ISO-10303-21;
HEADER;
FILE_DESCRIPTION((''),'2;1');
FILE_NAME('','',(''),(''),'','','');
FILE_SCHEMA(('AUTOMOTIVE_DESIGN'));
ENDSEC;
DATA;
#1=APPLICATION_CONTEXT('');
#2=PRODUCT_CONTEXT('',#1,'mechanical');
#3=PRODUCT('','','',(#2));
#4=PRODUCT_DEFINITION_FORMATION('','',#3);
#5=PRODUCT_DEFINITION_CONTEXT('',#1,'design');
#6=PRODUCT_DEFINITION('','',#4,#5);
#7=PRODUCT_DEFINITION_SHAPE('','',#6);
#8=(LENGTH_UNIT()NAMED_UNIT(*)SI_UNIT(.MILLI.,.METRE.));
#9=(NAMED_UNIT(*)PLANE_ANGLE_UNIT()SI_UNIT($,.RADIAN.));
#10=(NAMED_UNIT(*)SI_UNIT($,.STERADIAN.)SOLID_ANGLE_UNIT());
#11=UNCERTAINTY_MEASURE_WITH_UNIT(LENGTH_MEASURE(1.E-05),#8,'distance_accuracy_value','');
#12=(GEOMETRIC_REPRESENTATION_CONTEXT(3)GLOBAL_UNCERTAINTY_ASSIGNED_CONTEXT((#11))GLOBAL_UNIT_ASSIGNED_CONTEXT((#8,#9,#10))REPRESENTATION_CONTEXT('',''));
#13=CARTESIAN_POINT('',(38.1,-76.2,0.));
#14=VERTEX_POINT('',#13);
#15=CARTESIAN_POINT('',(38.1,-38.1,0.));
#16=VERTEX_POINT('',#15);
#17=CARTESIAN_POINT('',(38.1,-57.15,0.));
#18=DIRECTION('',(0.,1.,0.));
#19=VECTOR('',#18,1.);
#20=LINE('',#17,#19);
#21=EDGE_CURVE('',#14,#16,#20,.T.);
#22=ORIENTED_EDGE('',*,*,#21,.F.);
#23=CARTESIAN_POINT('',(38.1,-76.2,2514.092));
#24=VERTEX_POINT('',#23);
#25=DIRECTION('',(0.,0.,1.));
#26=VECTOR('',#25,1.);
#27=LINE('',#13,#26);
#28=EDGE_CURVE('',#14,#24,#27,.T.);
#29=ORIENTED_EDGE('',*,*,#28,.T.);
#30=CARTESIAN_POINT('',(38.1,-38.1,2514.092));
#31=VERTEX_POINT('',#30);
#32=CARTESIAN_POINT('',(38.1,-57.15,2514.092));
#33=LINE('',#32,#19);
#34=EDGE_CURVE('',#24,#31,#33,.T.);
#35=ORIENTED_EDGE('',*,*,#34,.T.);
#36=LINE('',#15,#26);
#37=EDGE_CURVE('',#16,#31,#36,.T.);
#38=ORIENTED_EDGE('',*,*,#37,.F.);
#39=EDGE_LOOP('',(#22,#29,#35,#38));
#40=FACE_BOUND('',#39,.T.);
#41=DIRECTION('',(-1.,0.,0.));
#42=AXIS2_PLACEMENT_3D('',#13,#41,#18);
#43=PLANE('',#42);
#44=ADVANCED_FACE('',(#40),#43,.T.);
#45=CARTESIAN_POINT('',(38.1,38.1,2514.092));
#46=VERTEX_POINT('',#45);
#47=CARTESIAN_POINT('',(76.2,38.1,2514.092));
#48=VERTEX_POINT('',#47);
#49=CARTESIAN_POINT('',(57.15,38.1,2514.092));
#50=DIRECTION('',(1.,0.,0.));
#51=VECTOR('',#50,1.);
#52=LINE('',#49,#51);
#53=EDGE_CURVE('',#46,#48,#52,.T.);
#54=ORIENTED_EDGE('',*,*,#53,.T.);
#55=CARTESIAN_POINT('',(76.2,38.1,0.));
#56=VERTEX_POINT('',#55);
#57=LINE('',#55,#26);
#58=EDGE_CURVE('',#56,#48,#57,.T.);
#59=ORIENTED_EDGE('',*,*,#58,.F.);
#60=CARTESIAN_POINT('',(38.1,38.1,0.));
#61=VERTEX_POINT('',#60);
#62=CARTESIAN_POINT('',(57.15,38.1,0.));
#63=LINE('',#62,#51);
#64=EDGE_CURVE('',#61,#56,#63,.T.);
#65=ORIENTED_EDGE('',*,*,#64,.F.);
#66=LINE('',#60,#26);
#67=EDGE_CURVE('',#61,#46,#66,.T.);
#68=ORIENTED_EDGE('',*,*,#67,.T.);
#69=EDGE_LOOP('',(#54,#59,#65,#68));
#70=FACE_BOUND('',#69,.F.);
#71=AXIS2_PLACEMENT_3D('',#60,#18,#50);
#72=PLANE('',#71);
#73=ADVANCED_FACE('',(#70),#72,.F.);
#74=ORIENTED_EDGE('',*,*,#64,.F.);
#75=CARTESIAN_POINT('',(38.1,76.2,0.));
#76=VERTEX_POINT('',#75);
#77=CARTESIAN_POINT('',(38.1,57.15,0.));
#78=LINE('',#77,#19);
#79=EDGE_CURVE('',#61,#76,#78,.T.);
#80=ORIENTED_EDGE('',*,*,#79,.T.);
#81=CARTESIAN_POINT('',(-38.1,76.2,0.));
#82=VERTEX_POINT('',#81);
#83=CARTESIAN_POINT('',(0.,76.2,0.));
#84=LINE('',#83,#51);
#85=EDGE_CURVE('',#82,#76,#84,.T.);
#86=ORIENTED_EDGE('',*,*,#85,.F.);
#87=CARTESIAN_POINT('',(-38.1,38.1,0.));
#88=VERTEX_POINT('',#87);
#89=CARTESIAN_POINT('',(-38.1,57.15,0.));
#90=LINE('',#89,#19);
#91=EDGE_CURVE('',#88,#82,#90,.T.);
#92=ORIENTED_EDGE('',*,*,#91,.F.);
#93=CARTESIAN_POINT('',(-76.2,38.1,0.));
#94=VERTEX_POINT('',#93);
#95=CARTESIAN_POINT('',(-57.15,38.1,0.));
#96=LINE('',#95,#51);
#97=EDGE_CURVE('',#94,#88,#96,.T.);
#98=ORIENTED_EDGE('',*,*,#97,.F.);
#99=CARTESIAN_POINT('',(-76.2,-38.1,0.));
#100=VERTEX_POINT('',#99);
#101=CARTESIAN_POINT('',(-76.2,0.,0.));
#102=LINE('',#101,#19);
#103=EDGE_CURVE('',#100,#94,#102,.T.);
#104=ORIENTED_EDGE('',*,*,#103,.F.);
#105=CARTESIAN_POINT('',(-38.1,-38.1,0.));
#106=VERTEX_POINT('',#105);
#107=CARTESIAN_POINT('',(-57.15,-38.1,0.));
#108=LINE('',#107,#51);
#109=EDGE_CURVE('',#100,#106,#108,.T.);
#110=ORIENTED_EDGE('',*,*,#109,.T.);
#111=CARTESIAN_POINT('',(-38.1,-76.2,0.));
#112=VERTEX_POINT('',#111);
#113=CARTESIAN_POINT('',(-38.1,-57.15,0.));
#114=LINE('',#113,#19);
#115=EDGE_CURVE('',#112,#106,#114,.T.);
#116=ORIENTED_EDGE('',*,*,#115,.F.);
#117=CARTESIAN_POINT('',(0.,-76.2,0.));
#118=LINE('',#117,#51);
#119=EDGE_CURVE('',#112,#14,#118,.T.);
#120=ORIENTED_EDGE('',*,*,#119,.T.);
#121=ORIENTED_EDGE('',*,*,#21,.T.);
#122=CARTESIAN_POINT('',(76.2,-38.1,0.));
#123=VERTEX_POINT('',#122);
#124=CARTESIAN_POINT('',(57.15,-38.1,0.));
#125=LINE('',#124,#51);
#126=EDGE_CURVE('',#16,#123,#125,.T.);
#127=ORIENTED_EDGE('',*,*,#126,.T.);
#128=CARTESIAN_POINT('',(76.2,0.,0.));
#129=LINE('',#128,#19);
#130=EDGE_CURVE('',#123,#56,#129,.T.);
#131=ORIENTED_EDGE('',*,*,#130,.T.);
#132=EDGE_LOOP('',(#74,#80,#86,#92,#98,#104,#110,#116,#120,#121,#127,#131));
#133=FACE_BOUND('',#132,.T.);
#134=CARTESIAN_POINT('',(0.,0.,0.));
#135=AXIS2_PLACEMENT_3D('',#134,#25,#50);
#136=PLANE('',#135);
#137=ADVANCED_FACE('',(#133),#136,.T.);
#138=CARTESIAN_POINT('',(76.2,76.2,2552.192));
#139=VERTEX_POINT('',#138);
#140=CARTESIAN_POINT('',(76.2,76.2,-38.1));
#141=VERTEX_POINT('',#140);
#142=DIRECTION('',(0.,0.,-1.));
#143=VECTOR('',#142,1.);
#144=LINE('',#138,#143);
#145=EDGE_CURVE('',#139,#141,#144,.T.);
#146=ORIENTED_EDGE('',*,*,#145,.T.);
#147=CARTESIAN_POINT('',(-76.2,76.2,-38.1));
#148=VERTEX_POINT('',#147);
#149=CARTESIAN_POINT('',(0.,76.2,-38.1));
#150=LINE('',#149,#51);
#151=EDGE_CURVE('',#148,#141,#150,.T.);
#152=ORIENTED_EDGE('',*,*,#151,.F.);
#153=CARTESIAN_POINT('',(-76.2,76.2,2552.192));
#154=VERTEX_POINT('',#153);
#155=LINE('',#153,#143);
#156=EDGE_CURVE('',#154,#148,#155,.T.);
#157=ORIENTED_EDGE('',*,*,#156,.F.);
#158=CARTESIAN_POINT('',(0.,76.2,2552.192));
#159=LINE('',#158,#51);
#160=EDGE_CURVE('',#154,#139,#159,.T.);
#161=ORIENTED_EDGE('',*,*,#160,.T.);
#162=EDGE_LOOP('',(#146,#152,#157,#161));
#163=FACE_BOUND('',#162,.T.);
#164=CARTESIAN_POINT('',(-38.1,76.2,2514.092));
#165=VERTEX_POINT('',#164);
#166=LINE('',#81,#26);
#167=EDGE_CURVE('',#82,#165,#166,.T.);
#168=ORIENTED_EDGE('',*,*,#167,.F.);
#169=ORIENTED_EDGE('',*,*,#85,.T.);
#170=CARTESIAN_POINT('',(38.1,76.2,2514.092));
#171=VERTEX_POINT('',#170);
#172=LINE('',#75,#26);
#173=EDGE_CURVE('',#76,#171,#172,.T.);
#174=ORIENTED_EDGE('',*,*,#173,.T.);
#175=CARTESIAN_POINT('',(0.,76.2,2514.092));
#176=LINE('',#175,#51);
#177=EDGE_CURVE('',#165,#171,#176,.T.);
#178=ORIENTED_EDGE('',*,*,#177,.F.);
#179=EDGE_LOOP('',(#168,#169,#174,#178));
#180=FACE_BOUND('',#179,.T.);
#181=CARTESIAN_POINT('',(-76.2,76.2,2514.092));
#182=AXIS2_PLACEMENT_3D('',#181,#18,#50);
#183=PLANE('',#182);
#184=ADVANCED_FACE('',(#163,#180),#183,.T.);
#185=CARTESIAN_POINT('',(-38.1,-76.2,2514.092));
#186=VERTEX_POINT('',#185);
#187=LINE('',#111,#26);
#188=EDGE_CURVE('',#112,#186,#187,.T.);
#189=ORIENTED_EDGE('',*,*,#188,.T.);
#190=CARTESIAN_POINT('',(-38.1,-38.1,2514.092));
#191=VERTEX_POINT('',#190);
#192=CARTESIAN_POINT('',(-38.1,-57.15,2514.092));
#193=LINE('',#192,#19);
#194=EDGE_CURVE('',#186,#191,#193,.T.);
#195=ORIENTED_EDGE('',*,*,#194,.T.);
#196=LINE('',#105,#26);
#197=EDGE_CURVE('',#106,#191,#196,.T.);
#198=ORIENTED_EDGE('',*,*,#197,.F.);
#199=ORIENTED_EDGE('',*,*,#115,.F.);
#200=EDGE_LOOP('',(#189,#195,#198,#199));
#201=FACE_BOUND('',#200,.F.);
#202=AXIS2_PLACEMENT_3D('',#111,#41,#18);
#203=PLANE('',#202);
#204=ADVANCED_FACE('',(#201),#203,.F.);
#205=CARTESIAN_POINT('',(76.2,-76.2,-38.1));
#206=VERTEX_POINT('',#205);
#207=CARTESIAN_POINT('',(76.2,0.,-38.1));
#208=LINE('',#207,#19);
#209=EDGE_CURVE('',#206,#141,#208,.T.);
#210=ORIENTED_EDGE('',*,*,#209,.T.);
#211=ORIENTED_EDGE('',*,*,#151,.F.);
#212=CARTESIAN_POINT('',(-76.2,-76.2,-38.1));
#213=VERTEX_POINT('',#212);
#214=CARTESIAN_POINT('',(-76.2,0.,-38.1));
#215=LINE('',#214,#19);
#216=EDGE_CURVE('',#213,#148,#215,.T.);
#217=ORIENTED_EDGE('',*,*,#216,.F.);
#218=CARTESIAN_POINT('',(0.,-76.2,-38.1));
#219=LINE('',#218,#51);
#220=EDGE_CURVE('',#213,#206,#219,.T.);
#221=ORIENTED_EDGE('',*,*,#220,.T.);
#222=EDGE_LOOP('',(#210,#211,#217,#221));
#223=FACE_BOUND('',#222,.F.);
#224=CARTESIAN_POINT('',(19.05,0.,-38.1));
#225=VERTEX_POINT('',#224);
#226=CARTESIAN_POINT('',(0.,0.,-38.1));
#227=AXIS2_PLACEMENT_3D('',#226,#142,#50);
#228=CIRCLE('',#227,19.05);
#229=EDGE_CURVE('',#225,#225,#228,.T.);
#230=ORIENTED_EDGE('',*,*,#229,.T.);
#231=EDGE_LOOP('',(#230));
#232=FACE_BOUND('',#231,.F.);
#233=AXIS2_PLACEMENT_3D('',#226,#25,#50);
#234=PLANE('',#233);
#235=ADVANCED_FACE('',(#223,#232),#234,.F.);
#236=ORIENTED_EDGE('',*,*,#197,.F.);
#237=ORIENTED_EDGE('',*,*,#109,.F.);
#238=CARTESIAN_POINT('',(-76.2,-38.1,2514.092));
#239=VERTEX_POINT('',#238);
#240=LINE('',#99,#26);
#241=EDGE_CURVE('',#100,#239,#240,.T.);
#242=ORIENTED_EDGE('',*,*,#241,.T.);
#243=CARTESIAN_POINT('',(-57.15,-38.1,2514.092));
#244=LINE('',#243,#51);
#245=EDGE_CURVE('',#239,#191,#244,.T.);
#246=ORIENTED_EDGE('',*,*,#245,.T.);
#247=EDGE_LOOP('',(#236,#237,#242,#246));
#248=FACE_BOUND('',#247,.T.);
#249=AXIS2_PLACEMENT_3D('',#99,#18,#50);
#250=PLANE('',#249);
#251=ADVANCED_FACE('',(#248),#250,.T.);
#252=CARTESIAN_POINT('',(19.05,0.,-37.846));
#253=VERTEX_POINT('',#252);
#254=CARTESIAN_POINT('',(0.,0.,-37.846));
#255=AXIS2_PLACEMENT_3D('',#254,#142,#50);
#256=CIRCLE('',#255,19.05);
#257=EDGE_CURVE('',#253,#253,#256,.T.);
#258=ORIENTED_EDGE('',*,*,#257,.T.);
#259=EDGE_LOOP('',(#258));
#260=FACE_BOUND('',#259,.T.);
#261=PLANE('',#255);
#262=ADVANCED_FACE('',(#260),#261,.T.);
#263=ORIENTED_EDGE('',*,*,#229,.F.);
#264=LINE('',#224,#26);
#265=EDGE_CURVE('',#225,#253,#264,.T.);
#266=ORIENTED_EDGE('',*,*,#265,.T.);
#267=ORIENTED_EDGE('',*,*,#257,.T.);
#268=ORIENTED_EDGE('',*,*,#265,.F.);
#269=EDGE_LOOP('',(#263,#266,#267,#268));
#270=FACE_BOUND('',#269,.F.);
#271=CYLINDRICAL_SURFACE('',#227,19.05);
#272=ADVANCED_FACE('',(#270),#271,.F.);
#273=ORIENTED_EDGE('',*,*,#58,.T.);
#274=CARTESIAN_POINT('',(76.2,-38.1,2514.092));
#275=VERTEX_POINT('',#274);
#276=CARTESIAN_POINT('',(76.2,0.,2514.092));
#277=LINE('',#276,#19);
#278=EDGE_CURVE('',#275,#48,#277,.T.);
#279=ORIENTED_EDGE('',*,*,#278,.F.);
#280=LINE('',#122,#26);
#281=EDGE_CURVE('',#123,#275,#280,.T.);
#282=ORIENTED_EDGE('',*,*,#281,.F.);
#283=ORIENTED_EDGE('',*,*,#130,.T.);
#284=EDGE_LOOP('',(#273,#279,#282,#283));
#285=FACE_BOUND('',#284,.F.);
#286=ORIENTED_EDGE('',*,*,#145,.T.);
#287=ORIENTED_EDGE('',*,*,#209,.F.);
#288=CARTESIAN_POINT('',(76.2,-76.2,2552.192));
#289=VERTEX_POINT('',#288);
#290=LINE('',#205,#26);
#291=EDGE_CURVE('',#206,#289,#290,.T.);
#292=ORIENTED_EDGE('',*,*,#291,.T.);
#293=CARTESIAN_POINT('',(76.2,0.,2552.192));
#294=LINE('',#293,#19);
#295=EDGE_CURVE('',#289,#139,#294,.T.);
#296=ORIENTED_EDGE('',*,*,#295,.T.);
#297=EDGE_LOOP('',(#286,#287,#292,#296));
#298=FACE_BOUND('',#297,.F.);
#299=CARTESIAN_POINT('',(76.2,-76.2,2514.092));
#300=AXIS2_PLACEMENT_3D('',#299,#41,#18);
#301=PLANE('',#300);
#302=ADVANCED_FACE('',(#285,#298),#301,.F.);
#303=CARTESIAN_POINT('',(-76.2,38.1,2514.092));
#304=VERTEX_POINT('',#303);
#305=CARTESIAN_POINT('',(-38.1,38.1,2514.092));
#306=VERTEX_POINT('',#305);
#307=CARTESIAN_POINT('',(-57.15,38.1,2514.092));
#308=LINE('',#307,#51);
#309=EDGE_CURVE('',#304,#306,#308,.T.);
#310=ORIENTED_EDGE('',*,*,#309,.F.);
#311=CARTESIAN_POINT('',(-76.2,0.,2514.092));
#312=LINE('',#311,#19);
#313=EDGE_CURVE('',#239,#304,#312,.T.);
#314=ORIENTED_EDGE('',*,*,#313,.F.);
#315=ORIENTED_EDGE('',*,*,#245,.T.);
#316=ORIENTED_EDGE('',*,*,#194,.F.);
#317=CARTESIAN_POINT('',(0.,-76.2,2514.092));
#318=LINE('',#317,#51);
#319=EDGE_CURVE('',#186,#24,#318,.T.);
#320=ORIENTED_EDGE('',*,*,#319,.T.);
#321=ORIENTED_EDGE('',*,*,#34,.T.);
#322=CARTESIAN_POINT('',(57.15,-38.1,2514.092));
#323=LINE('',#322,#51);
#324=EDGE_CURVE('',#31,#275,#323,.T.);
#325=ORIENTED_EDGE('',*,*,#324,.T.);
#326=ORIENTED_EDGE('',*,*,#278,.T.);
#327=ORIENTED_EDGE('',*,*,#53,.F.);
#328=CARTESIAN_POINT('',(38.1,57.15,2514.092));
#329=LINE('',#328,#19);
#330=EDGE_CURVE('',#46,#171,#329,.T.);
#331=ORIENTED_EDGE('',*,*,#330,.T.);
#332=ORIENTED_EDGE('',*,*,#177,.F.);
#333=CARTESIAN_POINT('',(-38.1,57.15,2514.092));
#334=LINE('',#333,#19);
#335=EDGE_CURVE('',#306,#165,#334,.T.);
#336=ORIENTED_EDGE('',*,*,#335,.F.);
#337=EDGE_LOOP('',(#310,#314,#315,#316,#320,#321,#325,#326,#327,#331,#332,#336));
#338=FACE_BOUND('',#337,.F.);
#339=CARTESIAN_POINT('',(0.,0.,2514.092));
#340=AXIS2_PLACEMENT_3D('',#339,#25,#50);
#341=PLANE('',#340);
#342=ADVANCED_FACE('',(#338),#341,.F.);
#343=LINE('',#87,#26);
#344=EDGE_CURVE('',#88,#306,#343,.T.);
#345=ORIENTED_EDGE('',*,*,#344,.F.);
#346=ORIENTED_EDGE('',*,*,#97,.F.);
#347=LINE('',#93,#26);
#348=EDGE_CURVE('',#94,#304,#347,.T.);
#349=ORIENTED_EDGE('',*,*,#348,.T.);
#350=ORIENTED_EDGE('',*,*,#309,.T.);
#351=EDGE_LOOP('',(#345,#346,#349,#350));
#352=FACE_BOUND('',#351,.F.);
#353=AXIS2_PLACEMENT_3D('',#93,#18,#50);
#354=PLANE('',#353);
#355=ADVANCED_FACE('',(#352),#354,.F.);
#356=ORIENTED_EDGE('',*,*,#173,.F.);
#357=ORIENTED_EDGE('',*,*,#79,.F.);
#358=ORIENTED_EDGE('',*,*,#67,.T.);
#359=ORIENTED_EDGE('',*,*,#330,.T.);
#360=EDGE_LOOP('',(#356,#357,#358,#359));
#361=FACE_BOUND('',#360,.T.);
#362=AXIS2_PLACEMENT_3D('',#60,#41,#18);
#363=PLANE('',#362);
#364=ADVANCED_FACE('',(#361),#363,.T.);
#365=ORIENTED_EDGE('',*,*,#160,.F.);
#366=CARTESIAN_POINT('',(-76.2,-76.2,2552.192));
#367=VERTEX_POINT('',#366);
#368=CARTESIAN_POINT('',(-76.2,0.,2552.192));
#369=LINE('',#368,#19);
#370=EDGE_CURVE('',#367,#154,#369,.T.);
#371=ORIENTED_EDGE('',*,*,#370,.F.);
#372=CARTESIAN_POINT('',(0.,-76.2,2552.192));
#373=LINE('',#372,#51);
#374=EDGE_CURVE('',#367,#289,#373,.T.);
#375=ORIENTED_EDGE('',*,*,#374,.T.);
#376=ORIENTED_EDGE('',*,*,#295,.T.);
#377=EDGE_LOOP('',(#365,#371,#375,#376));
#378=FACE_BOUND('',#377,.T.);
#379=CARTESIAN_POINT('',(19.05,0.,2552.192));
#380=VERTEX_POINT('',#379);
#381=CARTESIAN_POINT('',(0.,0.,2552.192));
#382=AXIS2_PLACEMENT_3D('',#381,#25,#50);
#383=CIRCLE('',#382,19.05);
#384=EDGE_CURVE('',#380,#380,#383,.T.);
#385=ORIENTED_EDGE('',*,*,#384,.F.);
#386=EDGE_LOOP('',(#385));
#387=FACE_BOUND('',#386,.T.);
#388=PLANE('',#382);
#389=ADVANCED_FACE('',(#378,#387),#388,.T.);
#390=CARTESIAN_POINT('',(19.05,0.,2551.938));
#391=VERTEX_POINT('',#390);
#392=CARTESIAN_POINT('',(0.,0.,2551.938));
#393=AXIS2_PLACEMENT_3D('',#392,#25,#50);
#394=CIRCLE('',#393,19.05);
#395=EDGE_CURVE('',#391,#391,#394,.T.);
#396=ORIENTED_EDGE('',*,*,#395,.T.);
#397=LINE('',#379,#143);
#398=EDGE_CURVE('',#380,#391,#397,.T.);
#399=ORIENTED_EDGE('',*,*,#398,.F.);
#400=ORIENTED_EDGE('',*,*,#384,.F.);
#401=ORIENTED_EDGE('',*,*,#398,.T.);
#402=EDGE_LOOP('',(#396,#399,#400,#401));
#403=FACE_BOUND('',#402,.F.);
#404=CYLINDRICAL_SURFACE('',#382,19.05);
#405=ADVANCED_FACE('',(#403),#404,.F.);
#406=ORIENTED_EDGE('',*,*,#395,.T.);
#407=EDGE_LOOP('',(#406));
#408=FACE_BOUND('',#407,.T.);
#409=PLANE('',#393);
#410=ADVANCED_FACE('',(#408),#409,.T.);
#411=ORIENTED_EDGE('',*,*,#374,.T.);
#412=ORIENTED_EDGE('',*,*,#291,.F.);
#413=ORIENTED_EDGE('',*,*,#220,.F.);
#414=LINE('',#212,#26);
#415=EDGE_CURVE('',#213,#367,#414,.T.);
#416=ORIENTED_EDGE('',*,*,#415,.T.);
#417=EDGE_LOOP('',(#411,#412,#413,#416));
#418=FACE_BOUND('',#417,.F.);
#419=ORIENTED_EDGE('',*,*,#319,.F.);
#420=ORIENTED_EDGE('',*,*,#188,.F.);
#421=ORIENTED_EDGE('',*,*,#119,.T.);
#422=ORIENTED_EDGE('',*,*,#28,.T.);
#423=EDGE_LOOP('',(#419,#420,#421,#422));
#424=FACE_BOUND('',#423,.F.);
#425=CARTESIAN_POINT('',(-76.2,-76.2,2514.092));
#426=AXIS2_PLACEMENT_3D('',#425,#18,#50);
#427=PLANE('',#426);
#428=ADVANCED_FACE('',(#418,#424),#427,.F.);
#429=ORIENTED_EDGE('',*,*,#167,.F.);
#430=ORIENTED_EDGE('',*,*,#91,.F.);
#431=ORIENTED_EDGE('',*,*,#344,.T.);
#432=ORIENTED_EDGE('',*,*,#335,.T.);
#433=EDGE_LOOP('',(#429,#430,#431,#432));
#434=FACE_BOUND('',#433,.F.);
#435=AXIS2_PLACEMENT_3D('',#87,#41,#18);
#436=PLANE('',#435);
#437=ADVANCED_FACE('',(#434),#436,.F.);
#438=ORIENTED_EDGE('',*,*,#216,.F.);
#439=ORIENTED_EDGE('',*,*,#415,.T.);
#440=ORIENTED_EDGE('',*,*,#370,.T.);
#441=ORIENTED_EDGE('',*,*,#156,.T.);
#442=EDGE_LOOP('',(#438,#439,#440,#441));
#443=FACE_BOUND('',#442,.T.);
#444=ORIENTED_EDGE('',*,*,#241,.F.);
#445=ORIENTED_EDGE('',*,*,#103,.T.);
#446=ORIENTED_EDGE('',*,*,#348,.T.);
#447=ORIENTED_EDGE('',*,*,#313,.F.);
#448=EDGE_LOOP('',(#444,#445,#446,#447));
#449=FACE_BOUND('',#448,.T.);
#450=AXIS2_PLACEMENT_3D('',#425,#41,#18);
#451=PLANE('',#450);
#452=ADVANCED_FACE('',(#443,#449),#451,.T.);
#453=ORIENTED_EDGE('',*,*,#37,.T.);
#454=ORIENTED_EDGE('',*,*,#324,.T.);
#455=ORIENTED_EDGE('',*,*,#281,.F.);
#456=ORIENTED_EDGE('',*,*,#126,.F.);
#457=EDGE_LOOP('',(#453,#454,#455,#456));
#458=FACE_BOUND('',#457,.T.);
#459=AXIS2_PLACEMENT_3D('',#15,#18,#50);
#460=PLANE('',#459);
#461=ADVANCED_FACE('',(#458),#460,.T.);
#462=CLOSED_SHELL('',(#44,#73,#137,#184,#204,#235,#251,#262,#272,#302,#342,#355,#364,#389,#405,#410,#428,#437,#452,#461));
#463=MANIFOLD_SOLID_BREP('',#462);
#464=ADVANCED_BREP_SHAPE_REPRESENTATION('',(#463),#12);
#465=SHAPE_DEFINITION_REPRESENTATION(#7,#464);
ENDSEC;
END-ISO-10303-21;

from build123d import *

# Parameters (mm, degrees)
F0_W     = 152.4
F0_H     = 152.4
F1_DEPTH = 38.1
F2_W     = 38.1
F2_H     = 38.1
F3_DEPTH = 2514.092
F4_W     = 152.4
F4_H     = 152.4
F5_DEPTH = 38.1
F6_R     = 19.05
F7_DEPTH = 0.254
F8_R     = 19.05
F9_DEPTH = 0.254


with BuildPart() as f1:
    # F0 (on Top) → F1 (new body)
    with BuildSketch(Plane.XY):
        Rectangle(F0_W, F0_H)
    extrude(amount=-F1_DEPTH)

    # F2 (on face) → F3 (join)
    with BuildSketch(Plane.XY):
        with Locations((57.15, -57.15)):
            Rectangle(F2_W, F2_H)
        with Locations((57.15, 57.15)):
            Rectangle(F2_W, F2_H)
        with Locations((-57.15, -57.15)):
            Rectangle(F2_W, F2_H)
        with Locations((-57.15, 57.15)):
            Rectangle(F2_W, F2_H)
    extrude(amount=F3_DEPTH)

    # F4 (on face) → F5 (join)
    with BuildSketch(Plane.XY.offset(2514.092)):
        Rectangle(F4_W, F4_H)
    extrude(amount=F5_DEPTH)

    # F6 (on face) → F7 (cut)
    with BuildSketch(Plane(origin=(0, 0, -38.1), x_dir=(1, 0, 0), z_dir=(0, 0, -1))):
        Circle(F6_R)
    extrude(amount=-F7_DEPTH, mode=Mode.SUBTRACT)

    # F8 (on face) → F9 (cut)
    with BuildSketch(Plane.XY.offset(2552.192)):
        Circle(F8_R)
    extrude(amount=-F9_DEPTH, mode=Mode.SUBTRACT)


solid = f1.part
